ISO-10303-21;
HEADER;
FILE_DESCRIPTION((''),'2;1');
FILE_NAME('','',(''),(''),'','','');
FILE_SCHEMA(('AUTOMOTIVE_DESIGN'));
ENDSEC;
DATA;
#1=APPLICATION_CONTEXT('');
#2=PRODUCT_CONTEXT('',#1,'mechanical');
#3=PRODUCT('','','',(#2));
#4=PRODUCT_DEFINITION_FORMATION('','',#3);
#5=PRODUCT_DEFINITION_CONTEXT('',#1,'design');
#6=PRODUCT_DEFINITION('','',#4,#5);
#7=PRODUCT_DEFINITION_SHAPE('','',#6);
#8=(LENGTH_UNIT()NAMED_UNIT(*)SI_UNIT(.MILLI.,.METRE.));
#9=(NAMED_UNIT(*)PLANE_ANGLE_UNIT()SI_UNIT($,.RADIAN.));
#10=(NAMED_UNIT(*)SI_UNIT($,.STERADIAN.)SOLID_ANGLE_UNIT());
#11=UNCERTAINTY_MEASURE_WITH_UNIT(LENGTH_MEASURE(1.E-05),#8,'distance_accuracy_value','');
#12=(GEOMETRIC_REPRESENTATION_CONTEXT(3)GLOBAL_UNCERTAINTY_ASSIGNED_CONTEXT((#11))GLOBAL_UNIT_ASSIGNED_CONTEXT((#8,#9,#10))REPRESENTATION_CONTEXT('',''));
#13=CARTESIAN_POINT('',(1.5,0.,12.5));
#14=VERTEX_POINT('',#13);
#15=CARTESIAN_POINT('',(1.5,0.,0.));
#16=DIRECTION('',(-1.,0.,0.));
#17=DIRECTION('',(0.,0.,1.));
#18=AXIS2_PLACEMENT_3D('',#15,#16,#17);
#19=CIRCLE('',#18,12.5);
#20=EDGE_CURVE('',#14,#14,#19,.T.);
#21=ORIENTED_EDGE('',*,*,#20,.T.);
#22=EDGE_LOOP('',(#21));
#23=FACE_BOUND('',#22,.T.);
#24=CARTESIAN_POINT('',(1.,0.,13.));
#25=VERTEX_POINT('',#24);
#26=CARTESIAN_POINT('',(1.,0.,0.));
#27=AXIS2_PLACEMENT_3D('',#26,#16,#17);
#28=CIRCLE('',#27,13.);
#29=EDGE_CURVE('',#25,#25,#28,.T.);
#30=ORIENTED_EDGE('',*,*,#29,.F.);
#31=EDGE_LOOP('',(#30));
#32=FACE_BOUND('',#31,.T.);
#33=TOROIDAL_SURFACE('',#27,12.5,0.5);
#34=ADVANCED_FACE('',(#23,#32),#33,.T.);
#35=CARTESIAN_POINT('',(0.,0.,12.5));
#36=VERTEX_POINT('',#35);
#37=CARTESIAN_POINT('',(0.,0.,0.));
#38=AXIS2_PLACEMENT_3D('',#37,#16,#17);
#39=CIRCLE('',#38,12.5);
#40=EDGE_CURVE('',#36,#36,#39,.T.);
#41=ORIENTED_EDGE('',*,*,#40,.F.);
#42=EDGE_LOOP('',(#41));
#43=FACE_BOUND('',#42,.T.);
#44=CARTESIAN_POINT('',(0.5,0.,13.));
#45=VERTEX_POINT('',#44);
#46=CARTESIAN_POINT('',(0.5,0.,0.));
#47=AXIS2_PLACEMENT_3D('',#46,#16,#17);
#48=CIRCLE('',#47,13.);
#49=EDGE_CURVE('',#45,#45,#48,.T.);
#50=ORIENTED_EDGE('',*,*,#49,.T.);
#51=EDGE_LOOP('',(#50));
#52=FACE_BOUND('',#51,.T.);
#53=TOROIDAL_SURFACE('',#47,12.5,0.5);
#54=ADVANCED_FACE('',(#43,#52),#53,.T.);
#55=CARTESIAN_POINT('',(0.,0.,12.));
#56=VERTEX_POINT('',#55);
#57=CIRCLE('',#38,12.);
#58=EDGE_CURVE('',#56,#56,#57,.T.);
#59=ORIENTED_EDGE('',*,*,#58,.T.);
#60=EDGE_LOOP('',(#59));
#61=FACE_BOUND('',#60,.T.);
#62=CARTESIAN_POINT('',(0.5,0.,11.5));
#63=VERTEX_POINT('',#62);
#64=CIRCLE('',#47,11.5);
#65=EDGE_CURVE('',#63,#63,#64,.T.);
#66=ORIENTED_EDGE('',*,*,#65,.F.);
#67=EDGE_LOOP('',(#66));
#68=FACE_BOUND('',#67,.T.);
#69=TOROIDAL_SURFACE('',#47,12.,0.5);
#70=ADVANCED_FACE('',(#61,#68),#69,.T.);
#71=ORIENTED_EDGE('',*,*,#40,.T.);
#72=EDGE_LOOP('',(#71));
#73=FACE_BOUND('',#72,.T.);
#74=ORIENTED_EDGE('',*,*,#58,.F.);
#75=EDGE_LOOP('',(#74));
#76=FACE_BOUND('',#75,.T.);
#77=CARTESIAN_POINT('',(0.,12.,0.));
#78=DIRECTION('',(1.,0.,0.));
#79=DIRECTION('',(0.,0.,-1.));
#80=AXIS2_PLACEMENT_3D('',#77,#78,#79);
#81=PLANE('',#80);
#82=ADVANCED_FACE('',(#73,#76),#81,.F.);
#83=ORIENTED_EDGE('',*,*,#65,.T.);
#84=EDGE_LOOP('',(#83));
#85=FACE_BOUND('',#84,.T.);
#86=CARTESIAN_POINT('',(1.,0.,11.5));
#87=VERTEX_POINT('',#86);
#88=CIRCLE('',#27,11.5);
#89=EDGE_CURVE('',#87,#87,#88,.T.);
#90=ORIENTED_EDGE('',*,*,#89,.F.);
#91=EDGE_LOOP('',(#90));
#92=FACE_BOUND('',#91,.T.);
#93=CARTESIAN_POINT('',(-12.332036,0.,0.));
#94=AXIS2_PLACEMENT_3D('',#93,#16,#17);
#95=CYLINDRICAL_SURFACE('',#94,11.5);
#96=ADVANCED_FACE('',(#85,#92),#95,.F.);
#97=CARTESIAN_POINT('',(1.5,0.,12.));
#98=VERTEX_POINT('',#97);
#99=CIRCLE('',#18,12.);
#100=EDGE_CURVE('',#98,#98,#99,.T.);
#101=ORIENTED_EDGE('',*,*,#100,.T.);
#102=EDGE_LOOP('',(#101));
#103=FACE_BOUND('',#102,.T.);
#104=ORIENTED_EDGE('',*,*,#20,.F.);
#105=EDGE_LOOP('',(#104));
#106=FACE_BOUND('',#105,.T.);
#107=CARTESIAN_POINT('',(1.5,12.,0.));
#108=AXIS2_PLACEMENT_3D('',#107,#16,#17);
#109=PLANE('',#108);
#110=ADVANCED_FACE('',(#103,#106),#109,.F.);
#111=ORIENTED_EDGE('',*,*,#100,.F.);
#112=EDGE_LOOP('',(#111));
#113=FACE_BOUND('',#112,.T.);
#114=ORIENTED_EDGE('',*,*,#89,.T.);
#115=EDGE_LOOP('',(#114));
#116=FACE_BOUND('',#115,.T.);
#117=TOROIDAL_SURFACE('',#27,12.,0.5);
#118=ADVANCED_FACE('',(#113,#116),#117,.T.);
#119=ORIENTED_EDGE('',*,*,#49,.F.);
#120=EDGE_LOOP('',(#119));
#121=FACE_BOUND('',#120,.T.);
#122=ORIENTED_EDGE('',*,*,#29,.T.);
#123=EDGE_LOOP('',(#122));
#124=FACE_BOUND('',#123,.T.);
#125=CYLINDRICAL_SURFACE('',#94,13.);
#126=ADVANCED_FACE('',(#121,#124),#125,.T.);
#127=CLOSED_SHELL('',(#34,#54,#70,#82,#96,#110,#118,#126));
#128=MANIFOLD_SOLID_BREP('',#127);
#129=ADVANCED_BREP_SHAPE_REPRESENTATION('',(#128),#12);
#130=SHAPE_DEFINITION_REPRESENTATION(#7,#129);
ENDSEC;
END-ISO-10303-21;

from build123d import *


with BuildPart() as part:
    # Esquisse1 → Base-Révolution (revolve)
    with BuildSketch(Plane.XY, mode=Mode.PRIVATE) as base_r_volution_sk:
        with BuildLine():
            Line((0.5, 11.5), (1, 11.5))
            ThreePointArc((1, 11.5), (1.353553391, 11.646446609), (1.5, 12))
            Line((1.5, 12), (1.5, 12.5))
            ThreePointArc((1.5, 12.5), (1.353553391, 12.853553391), (1, 13))
            Line((1, 13), (0.5, 13))
            ThreePointArc((0.5, 13), (0.146446609, 12.853553391), (0, 12.5))
            Line((0, 12.5), (0, 12))
            ThreePointArc((0, 12), (0.146446609, 11.646446609), (0.5, 11.5))
        make_face()
    revolve(base_r_volution_sk.sketch.rotate(Axis((-12.332036424, 0, 0), (1, 0, 0)), 90), axis=Axis((-12.332036424, 0, 0), (1, 0, 0)))  # turned: the seam where the file's is


solid = part.part
